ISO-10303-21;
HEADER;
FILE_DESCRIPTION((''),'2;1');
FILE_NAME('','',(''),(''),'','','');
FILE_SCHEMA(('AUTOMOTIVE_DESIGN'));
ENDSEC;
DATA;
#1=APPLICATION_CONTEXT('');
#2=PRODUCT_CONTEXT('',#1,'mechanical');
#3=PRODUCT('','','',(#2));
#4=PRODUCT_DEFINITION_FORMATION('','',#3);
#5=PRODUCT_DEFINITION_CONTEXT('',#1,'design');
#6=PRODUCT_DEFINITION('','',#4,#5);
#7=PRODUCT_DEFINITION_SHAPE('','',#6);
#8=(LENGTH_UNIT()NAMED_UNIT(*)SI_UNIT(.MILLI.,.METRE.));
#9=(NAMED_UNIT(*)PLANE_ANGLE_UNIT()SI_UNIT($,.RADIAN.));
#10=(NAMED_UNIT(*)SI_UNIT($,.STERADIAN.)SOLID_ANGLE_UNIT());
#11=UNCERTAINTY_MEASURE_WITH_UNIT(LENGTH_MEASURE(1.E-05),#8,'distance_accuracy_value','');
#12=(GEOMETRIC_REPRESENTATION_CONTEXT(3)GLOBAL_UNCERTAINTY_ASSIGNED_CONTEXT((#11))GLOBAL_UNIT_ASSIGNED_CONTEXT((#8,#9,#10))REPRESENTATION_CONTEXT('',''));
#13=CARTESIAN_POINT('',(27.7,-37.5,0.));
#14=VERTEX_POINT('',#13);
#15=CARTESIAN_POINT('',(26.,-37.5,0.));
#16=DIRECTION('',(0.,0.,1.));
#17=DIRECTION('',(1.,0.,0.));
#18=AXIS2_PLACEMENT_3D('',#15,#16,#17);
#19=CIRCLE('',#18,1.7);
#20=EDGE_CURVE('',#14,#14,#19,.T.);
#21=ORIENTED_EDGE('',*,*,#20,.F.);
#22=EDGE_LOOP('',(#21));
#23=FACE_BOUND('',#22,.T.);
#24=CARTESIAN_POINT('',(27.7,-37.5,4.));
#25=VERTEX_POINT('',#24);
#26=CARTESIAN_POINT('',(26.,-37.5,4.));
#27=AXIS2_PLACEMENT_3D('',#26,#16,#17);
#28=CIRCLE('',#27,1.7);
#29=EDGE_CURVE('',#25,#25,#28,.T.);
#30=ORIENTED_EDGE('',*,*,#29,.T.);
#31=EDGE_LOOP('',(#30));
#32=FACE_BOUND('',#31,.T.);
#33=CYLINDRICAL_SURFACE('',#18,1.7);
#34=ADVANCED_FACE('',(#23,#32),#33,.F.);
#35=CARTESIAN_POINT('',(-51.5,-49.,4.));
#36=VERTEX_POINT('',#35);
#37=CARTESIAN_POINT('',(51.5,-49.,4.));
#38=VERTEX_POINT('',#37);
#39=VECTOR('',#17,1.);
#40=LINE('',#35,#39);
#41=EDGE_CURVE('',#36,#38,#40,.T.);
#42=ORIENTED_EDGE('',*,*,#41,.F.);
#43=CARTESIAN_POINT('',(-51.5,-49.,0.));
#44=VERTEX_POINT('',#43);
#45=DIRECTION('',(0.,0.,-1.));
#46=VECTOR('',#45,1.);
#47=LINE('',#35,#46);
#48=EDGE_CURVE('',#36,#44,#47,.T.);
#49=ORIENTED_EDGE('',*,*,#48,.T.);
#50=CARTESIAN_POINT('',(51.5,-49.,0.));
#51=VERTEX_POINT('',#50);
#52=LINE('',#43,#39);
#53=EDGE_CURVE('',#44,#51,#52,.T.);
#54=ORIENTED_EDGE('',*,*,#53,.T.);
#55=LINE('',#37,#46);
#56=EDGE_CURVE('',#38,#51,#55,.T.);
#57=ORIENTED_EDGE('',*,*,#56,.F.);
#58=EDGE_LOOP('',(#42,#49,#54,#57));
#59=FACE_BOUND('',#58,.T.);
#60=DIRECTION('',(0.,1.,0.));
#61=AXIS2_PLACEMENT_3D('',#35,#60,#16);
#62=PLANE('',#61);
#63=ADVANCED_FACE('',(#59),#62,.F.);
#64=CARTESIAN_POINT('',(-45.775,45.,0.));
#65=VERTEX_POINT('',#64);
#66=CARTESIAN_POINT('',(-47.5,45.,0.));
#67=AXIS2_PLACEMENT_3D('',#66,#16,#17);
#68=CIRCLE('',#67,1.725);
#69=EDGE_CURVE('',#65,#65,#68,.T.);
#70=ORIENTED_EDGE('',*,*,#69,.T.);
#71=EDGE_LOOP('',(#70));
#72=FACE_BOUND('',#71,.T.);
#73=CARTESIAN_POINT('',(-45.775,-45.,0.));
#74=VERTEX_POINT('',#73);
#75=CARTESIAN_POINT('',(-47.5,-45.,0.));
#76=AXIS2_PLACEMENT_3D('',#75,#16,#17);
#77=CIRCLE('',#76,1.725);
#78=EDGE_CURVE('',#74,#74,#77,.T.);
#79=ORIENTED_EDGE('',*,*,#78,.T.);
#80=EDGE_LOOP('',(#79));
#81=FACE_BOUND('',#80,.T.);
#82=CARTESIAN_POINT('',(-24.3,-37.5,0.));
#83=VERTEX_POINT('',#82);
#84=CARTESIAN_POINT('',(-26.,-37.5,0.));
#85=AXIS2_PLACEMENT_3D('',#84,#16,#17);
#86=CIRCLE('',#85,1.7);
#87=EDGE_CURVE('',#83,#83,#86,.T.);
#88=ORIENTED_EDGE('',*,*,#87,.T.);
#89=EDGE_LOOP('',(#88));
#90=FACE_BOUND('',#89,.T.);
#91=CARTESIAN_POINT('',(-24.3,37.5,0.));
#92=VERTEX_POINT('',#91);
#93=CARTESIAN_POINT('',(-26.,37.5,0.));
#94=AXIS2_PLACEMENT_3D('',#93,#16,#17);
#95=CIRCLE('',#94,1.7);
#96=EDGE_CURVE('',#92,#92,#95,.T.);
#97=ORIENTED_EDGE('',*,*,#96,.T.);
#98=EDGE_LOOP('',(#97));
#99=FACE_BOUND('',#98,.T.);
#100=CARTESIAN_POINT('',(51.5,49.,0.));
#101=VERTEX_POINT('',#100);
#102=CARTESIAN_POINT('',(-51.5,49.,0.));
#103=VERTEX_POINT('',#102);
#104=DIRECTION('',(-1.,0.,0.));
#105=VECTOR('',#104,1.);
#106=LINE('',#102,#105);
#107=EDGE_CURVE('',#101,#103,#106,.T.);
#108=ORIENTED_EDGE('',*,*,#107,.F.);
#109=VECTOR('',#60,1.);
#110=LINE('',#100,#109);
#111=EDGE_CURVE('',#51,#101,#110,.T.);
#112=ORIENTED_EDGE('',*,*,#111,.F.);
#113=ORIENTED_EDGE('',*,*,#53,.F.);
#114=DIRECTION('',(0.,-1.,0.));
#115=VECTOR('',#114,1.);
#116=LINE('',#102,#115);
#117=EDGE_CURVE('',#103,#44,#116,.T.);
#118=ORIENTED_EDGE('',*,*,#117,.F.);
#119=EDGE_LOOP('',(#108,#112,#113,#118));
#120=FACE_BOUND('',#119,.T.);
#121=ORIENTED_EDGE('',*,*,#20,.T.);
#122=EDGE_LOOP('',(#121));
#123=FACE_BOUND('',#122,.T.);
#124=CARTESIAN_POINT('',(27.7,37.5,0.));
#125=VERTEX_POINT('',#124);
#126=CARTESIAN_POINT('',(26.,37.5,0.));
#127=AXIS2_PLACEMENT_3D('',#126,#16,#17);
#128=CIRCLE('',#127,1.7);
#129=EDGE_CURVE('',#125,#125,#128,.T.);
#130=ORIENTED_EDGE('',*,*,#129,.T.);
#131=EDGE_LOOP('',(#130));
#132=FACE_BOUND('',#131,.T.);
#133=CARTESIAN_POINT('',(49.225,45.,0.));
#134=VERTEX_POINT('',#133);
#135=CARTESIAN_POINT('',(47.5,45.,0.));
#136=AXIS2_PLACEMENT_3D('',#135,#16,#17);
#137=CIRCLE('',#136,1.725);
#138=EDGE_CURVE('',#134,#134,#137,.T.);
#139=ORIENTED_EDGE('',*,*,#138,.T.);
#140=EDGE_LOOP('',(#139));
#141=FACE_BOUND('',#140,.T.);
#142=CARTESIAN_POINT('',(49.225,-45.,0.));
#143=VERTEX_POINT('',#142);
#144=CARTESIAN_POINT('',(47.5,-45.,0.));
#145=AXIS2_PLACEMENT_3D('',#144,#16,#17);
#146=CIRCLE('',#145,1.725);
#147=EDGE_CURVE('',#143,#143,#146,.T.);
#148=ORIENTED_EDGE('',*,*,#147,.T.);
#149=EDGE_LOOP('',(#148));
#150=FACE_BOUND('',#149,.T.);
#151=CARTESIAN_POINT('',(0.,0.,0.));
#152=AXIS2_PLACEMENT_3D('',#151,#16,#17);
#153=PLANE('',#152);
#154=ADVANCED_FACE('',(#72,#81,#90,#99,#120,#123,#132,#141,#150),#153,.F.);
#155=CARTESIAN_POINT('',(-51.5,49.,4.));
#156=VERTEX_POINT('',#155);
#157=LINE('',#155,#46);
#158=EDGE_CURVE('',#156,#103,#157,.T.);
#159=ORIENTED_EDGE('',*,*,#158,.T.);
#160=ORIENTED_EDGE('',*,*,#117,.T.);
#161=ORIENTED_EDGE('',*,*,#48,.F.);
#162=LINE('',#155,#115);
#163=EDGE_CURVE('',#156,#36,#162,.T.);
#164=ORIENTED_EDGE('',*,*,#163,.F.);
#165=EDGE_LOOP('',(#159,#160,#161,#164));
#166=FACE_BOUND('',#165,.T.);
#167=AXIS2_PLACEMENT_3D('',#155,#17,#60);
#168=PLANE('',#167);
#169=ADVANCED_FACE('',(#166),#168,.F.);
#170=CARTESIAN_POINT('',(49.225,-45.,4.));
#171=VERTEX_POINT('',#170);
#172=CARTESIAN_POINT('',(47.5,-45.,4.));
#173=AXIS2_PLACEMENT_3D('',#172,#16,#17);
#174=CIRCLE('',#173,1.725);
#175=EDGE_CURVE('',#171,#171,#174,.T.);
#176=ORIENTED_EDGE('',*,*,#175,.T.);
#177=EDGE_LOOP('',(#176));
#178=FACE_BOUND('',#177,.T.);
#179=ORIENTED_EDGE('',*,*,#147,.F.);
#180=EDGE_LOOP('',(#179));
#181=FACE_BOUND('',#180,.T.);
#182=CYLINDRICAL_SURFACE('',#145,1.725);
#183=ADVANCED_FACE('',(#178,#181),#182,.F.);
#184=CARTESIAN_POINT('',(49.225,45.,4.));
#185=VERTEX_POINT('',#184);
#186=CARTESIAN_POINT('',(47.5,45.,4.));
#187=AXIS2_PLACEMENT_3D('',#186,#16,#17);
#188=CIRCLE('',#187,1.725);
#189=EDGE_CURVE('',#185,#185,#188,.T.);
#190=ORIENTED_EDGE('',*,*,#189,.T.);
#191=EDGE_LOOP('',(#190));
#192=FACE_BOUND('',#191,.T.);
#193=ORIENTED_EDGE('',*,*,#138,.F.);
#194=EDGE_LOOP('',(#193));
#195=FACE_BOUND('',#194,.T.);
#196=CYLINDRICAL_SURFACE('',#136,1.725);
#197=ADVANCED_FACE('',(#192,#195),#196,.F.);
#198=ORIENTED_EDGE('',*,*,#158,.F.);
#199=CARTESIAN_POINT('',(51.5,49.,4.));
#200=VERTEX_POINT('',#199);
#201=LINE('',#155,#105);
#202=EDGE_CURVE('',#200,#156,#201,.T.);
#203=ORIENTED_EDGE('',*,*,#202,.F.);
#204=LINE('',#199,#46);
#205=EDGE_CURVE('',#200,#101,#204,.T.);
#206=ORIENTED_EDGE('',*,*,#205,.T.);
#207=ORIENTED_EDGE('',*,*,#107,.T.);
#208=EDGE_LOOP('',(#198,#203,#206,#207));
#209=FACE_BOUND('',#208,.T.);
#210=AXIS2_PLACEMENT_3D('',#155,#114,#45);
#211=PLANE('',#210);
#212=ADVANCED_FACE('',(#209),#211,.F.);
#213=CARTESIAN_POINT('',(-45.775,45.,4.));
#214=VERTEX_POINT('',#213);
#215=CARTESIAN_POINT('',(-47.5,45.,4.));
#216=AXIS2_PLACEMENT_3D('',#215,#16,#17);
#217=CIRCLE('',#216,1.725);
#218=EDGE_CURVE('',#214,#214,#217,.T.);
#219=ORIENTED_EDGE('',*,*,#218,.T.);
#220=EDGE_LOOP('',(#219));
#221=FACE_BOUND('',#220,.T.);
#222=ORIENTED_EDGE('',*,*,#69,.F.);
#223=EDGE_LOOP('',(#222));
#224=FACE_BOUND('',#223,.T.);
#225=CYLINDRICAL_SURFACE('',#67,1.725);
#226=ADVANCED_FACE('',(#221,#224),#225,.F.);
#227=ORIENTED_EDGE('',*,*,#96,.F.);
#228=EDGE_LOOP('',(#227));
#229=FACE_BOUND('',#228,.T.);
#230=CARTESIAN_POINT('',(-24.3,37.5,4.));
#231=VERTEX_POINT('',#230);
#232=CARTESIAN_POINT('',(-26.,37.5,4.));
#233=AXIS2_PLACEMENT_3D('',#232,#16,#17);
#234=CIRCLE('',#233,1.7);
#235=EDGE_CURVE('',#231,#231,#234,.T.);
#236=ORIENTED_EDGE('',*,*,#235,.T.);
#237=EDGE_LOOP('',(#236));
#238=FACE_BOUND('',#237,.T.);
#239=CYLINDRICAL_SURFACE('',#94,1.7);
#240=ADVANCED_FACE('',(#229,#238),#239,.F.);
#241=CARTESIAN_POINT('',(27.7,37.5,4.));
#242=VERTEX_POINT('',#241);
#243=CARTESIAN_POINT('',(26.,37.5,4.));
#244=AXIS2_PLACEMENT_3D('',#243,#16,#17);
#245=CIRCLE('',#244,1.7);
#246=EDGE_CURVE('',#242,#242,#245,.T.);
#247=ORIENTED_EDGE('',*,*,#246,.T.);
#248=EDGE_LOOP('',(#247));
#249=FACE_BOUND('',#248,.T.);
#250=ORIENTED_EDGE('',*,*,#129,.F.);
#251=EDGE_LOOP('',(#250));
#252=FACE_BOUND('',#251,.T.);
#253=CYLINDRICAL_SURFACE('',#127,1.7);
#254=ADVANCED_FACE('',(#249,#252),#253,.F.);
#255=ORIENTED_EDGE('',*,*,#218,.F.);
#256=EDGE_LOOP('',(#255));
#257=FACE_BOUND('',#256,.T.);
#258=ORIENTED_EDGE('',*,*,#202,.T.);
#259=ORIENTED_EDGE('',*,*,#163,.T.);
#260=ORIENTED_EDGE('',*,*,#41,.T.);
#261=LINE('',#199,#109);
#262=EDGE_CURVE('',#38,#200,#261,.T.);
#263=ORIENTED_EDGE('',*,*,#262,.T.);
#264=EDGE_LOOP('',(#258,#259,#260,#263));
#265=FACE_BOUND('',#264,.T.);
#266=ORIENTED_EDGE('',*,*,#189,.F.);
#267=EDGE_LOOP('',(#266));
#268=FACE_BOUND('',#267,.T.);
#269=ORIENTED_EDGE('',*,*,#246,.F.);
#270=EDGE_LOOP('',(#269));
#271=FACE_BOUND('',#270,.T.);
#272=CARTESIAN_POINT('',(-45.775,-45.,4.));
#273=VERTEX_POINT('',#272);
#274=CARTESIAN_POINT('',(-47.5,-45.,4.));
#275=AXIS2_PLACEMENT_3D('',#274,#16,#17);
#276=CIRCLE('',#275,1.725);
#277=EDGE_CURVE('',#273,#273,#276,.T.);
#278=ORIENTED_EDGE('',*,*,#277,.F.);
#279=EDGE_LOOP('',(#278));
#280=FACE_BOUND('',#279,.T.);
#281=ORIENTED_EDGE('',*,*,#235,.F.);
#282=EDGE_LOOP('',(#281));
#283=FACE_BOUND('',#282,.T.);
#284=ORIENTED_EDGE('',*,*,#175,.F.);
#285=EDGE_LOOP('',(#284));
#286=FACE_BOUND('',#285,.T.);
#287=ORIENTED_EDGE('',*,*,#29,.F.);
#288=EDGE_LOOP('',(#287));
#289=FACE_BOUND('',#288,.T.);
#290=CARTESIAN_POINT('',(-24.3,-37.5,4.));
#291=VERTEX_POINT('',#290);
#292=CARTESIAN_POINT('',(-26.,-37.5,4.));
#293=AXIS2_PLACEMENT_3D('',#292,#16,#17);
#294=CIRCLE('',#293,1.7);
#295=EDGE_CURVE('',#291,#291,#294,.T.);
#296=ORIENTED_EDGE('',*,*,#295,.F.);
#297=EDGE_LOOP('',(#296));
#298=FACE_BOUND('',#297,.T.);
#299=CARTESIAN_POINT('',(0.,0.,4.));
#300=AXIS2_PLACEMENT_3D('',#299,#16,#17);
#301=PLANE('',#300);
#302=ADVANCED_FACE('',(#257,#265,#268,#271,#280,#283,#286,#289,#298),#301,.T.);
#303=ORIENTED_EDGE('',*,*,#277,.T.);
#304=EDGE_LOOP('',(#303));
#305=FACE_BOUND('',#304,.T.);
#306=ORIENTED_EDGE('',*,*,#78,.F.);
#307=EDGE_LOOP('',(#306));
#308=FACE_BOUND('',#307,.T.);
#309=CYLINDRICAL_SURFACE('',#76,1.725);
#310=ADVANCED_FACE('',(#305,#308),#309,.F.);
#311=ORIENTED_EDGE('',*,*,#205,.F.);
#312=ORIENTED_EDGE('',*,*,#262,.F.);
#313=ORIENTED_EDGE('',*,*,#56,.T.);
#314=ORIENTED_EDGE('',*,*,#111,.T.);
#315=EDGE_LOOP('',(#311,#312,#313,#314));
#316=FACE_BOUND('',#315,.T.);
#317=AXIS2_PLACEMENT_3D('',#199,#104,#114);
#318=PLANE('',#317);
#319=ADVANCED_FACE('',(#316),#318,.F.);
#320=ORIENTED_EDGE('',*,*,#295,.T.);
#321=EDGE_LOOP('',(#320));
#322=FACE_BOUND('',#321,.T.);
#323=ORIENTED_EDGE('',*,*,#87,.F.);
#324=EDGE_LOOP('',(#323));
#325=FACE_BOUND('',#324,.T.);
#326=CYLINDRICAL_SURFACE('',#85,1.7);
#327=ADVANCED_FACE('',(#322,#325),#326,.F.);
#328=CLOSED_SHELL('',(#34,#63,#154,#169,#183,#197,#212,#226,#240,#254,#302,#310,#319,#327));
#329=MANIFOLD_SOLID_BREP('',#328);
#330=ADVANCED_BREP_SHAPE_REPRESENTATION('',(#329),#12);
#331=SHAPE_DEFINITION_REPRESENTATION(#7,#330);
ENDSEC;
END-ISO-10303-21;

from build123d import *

# Parameters (mm, degrees)
SKETCH_1_W          = 103
SKETCH_1_H          = 98
EXTRUDE_1_DEPTH     = 4
SKETCH_2_R          = 1.725
CUT_EXTRUDE_1_DEPTH = 4
SKETCH_3_R          = 1.7
CUT_EXTRUDE_2_DEPTH = 4


with BuildPart() as part:
    # Эскиз1 → Бобышка-Вытянуть1 (new body)
    with BuildSketch(Plane.XY):
        Rectangle(SKETCH_1_W, SKETCH_1_H)
    extrude(amount=EXTRUDE_1_DEPTH)

    # Эскиз2 → Вырез-Вытянуть1 (cut)
    with BuildSketch(Plane.XY.offset(4)):
        with Locations((-47.5, 45)):
            Circle(SKETCH_2_R)
        with Locations((47.5, 45)):
            Circle(SKETCH_2_R)
        with Locations((47.5, -45)):
            Circle(SKETCH_2_R)
        with Locations((-47.5, -45)):
            Circle(SKETCH_2_R)
    extrude(amount=-CUT_EXTRUDE_1_DEPTH, mode=Mode.SUBTRACT)

    # Эскиз3 → Вырез-Вытянуть2 (cut)
    with BuildSketch(Plane.XY.offset(4)):
        with Locations((-26, 37.5)):
            Circle(SKETCH_3_R)
        with Locations((26, 37.5)):
            Circle(SKETCH_3_R)
        with Locations((-26, -37.5)):
            Circle(SKETCH_3_R)
        with Locations((26, -37.5)):
            Circle(SKETCH_3_R)
    extrude(amount=-CUT_EXTRUDE_2_DEPTH, mode=Mode.SUBTRACT)


solid = part.part
